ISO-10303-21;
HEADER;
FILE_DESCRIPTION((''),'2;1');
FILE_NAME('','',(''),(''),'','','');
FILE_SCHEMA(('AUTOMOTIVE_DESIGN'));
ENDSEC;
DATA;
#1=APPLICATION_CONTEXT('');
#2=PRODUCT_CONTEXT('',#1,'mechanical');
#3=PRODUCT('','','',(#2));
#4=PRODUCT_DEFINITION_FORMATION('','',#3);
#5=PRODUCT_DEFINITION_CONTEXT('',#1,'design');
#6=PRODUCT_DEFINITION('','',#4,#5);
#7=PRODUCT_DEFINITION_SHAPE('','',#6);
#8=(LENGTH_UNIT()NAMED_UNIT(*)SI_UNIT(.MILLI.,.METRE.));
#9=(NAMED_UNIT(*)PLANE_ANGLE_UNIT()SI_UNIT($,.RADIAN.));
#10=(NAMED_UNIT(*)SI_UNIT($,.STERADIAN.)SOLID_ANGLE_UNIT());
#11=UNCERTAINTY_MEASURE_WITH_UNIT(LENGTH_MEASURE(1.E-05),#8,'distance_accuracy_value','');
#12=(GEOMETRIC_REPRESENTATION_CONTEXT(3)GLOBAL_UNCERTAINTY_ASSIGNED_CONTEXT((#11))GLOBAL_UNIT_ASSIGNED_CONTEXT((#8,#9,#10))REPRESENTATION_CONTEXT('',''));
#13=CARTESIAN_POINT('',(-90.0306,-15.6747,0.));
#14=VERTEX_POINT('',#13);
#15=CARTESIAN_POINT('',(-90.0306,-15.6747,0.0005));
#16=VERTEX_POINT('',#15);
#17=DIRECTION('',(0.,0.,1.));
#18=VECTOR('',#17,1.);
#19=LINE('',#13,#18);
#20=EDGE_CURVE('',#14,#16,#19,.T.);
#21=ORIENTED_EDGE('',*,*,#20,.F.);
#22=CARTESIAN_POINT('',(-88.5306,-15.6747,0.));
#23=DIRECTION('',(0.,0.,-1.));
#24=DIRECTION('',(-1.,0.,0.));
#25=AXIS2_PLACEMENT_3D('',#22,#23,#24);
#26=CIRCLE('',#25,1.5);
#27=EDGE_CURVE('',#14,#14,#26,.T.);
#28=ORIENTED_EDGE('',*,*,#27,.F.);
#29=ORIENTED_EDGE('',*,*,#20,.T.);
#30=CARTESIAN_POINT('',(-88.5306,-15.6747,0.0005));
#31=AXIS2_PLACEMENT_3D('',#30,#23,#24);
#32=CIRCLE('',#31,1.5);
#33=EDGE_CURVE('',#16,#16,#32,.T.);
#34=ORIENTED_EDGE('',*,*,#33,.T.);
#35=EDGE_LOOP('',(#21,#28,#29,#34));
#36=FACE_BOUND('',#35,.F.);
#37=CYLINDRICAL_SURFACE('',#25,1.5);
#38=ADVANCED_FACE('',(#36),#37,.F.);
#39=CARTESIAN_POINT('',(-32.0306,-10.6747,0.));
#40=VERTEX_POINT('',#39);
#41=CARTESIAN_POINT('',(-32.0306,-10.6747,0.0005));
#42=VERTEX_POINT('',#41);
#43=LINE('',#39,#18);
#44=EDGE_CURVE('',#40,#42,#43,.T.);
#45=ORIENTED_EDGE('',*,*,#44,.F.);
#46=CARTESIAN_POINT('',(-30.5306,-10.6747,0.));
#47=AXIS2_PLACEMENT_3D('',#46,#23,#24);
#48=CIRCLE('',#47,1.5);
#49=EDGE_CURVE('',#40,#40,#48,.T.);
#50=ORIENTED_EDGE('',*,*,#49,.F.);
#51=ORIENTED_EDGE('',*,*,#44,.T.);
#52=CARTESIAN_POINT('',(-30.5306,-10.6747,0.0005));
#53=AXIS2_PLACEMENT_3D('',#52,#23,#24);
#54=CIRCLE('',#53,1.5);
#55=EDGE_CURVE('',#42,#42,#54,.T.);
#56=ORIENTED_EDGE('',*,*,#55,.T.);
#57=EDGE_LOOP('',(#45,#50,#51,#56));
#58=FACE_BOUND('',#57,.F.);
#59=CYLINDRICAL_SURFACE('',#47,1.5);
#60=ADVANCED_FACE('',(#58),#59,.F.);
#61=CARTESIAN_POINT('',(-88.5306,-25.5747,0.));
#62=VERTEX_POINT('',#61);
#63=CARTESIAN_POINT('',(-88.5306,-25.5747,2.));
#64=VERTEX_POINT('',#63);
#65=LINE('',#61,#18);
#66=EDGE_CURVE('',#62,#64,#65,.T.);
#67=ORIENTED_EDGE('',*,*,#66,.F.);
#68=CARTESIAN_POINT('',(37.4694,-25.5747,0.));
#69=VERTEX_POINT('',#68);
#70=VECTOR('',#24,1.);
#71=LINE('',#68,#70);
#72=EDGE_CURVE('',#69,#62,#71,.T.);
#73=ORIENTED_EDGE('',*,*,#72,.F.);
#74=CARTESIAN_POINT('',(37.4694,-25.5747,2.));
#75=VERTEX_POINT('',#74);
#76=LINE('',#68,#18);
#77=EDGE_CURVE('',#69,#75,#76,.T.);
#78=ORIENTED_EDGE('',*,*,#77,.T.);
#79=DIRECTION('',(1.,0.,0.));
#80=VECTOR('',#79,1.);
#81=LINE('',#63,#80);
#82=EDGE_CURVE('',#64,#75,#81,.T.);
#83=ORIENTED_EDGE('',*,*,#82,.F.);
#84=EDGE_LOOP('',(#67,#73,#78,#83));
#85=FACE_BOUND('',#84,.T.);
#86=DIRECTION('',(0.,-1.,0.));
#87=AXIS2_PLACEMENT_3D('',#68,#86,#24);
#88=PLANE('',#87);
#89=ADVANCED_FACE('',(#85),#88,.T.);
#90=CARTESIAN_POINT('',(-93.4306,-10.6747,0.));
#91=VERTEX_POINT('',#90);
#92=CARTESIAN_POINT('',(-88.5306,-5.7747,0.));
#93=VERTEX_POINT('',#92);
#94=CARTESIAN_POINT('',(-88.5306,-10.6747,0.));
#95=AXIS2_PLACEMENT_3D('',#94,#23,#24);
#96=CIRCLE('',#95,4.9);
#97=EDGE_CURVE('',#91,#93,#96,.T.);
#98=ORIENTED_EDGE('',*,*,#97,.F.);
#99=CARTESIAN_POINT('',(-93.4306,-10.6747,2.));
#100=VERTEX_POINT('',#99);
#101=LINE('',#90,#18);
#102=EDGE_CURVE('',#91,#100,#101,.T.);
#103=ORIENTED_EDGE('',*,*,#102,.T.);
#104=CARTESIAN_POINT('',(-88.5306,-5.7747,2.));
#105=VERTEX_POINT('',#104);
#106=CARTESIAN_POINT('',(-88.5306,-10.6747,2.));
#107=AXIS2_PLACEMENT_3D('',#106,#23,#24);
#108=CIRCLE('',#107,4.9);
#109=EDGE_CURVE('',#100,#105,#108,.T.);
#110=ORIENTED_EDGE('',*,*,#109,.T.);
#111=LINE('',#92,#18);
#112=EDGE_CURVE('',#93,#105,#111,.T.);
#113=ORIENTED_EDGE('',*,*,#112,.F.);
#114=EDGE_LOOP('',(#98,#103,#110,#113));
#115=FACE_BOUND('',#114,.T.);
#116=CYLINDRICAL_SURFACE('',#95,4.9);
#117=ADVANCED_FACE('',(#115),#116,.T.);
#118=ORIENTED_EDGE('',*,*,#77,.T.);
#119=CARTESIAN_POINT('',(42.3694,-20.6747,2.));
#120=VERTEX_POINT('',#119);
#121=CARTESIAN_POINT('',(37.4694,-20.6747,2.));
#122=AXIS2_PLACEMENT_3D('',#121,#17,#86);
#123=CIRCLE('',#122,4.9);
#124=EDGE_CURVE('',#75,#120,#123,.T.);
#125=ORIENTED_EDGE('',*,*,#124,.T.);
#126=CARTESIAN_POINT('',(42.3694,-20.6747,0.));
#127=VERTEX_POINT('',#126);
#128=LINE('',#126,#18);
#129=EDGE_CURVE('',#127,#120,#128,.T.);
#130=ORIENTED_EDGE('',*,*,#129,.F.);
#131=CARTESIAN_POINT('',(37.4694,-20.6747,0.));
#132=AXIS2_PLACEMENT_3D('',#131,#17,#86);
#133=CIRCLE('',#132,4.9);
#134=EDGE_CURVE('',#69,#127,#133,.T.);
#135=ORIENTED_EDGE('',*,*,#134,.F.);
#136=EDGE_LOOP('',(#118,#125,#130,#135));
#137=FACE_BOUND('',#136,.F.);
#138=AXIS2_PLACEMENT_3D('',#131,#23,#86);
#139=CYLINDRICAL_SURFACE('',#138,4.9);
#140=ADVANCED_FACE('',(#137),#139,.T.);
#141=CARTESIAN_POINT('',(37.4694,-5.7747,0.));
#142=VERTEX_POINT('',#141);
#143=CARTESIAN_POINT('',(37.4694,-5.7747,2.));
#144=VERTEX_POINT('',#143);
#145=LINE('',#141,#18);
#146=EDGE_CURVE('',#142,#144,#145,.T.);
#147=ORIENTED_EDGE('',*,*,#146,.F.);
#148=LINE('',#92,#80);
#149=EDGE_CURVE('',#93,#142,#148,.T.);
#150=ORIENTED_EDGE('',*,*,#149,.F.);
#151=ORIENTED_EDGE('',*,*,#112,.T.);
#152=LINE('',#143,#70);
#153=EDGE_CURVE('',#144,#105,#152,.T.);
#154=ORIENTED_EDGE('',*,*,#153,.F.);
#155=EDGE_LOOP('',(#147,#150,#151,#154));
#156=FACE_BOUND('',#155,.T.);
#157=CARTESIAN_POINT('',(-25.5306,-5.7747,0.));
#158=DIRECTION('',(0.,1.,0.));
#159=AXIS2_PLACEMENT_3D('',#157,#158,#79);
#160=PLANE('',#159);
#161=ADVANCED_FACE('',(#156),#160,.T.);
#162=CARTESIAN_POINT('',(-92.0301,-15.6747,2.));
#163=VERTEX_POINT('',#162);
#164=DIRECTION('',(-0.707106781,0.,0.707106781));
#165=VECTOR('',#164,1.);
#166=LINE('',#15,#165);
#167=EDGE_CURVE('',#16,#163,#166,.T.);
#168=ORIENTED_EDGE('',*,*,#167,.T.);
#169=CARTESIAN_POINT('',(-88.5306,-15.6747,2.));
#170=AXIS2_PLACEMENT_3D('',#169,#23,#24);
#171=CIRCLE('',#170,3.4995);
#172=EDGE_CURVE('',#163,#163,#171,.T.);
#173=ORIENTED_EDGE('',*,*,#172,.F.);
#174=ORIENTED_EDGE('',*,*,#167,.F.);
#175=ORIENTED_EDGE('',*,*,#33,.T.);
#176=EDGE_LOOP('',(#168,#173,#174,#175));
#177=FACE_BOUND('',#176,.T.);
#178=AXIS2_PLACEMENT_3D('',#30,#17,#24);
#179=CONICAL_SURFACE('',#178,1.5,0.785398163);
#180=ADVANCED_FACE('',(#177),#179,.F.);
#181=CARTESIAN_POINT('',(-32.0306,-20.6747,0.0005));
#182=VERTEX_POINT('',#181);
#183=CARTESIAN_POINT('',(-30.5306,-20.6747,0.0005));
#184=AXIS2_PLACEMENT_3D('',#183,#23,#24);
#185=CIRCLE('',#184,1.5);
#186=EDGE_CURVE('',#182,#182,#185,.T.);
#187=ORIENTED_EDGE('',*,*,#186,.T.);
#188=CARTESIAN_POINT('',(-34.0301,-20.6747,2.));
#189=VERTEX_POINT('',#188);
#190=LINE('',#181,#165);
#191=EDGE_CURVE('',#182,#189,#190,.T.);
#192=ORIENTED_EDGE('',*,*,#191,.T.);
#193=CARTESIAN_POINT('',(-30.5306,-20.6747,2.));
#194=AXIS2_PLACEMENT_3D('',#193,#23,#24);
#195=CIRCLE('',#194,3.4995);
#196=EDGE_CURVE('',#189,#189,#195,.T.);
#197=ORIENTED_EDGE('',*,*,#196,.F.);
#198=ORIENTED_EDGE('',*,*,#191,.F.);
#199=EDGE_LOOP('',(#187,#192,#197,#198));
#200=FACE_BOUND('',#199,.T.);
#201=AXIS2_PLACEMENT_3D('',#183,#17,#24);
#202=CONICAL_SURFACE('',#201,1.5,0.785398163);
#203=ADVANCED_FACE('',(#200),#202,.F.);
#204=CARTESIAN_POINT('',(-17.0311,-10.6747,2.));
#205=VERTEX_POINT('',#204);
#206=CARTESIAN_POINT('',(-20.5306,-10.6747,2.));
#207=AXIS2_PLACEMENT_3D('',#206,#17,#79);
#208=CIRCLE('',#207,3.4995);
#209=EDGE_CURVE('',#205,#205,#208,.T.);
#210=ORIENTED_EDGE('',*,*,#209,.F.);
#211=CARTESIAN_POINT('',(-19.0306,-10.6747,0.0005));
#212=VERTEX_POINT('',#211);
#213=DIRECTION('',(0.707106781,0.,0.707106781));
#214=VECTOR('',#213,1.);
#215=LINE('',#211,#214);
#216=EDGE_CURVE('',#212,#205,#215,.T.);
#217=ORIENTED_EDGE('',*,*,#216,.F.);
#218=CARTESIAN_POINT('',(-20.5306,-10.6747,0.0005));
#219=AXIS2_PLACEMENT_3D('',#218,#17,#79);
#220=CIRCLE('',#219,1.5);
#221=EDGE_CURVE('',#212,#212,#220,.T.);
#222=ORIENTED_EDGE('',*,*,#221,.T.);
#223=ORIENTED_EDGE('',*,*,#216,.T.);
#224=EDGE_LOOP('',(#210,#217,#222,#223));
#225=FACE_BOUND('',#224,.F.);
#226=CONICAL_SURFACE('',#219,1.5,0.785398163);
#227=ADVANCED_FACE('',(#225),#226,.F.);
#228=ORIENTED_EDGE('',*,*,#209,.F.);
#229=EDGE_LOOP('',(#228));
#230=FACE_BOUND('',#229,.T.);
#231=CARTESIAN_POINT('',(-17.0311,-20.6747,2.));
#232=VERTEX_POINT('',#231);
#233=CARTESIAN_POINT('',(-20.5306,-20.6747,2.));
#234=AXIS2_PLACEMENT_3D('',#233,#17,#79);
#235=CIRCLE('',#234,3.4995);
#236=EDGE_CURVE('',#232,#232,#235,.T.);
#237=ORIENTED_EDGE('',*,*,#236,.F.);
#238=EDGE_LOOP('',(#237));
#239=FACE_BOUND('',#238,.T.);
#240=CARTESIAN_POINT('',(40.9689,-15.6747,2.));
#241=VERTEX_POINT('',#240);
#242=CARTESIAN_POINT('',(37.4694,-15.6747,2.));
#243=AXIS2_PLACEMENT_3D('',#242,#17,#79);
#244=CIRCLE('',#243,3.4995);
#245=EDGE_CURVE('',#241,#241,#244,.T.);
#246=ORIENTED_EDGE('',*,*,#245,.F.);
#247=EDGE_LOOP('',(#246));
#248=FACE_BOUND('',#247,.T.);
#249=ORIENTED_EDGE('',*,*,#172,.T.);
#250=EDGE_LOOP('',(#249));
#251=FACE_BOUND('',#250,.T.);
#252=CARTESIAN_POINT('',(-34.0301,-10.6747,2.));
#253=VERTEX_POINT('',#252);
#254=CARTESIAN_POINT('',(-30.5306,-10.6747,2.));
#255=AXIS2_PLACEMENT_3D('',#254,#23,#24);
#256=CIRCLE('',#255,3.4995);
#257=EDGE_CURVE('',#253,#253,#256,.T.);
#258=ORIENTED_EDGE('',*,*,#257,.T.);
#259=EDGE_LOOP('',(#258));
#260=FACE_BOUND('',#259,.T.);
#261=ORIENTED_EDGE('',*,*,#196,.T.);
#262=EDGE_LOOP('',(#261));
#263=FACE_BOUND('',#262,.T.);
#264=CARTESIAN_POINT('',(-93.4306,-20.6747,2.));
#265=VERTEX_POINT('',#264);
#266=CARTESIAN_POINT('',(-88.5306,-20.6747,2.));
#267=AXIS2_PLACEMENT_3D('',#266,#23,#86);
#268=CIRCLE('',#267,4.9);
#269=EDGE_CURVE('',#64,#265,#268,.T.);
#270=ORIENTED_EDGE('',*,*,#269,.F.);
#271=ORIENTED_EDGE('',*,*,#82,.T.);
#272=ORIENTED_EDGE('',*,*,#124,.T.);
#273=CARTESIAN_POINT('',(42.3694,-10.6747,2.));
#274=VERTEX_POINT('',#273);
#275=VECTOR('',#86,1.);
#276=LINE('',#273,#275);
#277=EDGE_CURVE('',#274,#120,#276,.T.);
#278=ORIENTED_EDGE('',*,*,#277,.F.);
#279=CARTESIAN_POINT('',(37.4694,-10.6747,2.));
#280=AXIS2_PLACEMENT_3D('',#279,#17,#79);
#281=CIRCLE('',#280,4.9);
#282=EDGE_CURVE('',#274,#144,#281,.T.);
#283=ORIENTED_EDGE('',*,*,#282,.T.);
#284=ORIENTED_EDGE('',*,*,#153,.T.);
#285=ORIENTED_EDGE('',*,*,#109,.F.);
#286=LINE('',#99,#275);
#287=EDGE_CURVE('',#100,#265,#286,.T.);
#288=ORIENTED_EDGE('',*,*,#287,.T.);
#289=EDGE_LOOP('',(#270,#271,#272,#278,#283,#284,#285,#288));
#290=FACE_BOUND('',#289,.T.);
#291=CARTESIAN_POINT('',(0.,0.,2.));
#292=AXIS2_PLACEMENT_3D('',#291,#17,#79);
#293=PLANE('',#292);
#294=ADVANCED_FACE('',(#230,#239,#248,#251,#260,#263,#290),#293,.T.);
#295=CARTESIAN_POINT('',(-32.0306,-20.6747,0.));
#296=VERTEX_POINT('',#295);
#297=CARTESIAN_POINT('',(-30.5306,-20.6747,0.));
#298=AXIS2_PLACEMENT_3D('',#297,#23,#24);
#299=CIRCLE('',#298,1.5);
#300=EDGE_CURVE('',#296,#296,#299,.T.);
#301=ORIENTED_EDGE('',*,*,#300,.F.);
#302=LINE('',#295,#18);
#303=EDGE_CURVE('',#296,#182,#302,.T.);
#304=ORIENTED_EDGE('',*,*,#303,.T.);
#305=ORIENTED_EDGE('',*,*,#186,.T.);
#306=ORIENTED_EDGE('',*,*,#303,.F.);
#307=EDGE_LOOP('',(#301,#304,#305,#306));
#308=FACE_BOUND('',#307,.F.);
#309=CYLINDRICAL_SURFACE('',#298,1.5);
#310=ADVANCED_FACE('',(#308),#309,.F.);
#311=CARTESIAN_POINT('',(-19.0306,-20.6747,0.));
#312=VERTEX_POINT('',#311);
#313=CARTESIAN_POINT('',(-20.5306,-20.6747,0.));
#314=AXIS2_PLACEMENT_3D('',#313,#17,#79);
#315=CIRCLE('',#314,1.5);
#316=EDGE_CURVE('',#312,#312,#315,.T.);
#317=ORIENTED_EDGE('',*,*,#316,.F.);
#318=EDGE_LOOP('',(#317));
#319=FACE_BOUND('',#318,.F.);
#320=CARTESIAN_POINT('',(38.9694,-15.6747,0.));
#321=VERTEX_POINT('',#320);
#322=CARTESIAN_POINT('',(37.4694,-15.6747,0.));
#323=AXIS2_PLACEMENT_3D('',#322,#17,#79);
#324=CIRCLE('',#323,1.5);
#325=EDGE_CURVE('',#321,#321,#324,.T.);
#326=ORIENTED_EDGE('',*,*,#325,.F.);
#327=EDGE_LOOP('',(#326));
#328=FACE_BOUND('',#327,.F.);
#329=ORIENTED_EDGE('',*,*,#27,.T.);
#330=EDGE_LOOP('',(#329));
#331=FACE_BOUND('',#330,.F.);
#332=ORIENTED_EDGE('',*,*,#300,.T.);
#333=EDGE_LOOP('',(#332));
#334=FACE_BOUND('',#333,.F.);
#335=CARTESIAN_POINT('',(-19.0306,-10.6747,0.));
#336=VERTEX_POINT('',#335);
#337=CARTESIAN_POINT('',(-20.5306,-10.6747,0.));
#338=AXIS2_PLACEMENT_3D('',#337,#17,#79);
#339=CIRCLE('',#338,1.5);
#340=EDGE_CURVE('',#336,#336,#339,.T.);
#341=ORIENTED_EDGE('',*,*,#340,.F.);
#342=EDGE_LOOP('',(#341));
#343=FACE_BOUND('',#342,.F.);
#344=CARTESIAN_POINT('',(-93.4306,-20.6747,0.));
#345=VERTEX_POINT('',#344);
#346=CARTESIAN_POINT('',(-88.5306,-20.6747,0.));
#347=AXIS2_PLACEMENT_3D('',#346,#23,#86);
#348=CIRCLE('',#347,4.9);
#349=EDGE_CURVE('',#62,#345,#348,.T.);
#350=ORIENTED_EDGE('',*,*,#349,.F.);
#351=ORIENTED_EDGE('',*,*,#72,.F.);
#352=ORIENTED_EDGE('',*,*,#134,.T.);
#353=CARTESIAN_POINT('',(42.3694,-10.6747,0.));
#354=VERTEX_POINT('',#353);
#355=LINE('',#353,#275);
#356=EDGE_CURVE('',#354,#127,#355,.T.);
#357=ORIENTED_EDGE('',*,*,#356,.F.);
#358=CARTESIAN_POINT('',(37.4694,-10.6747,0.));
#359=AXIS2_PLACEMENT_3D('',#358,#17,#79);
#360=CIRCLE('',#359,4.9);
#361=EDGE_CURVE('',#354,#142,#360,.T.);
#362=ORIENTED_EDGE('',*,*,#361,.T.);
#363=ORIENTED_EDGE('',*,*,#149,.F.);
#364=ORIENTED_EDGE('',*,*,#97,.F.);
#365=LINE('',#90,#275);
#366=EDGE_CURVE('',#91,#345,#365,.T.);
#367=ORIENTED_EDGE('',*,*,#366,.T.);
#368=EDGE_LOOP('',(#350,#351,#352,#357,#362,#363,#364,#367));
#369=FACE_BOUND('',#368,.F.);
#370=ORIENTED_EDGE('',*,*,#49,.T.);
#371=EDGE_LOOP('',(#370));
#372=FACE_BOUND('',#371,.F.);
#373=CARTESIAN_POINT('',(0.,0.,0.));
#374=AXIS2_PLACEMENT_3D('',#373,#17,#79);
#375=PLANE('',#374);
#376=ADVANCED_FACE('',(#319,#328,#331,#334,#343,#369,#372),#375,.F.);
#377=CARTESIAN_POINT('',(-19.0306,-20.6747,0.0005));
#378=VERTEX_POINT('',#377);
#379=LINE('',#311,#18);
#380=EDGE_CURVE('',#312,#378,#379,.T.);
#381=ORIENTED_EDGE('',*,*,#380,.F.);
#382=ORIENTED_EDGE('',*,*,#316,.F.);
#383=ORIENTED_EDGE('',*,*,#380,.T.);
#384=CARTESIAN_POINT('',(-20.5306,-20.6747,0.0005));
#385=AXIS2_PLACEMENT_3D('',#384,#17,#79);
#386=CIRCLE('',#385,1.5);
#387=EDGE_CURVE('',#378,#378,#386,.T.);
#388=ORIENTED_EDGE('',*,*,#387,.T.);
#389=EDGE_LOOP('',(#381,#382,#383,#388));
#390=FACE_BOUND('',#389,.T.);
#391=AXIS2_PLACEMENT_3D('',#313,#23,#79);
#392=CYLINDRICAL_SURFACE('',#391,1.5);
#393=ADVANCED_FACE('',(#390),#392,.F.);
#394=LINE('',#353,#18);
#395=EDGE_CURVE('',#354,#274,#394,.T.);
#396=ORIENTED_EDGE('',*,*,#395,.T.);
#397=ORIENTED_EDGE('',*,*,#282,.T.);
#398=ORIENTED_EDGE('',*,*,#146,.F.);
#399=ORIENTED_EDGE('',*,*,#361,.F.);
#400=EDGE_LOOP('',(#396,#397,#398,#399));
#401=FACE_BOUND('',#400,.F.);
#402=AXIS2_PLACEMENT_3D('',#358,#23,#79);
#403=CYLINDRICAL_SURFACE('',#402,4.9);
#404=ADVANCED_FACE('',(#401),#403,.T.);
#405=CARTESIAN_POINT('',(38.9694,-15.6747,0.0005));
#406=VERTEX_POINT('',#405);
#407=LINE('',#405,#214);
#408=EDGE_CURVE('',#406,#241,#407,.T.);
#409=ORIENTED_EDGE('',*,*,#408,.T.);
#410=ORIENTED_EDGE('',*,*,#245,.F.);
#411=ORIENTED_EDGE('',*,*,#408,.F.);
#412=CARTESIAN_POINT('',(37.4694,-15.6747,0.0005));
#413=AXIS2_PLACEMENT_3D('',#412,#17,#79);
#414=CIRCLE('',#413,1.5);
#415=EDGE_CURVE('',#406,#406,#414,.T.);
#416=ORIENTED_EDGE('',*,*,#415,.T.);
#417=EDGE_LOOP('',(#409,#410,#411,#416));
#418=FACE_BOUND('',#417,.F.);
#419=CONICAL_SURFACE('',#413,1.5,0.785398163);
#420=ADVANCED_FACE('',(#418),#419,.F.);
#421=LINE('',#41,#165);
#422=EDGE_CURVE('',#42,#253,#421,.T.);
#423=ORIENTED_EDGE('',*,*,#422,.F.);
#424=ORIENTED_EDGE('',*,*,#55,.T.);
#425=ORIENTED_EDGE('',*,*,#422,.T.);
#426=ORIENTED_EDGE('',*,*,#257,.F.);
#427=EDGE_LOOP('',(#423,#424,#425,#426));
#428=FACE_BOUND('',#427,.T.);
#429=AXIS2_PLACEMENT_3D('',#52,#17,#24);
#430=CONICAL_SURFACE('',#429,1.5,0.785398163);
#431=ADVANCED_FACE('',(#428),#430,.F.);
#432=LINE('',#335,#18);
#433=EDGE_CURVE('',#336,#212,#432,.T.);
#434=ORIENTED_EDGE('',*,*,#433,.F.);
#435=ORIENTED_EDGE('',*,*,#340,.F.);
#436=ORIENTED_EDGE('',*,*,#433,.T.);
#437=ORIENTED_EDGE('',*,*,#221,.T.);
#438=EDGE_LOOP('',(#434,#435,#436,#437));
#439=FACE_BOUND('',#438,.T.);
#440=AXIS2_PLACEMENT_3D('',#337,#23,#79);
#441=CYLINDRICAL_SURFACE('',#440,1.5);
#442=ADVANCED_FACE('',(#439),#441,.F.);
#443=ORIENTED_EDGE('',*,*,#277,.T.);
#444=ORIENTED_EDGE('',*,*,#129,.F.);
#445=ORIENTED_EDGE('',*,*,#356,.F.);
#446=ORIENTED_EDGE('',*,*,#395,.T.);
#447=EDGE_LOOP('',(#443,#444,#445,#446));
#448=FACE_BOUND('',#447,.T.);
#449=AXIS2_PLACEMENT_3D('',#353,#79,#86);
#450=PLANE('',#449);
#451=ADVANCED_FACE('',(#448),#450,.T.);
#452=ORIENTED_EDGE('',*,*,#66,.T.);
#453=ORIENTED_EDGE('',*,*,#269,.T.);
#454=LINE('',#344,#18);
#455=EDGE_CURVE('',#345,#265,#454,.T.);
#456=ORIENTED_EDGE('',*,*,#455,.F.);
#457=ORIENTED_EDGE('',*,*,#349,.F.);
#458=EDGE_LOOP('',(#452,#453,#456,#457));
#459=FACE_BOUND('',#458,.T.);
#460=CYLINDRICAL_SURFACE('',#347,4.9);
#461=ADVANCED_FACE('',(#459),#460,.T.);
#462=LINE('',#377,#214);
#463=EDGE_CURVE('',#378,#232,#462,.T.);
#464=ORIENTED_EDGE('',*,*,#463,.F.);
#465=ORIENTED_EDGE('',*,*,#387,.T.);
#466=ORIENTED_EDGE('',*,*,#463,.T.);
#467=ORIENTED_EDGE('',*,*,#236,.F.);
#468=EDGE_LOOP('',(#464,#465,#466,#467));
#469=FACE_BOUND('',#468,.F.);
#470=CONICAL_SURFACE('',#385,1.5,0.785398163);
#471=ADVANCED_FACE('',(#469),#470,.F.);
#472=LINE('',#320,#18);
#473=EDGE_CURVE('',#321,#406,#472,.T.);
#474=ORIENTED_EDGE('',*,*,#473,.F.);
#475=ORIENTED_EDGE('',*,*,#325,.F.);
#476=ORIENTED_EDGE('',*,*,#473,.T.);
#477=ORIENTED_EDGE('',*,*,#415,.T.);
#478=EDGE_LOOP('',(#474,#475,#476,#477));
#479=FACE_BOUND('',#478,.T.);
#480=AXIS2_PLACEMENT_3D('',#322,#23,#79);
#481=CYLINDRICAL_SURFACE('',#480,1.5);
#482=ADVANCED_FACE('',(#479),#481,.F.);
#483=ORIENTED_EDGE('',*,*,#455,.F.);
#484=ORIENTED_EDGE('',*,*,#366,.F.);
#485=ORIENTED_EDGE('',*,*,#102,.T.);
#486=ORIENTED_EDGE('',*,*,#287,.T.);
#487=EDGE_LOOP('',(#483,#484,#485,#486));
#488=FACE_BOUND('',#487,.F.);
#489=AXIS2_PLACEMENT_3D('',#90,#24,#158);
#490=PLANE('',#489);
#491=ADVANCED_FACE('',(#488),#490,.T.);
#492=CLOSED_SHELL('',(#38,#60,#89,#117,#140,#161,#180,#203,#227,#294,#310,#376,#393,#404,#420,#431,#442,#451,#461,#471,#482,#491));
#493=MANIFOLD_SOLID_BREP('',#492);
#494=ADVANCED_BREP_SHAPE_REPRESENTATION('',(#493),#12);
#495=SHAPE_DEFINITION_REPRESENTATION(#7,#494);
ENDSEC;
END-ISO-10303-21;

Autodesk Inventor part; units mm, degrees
ref_plane "YZ Plane" through (0, 0, 0) normal (1, 0, 0) x (0, 1, 0)
ref_plane "XZ Plane" through (0, 0, 0) normal (0, 1, 0) x (-1, 0, 0)
ref_plane "XY Plane" through (0, 0, 0) normal (0, 0, 1) x (1, 0, 0)
sketch "Эскиз1" plane through (0, 0, 0) normal (0, 0, 1) x (1, 0, 0)
  circle A0 centre (37.4694, -15.6747) radius 1.5 projected
  circle A1 centre (-20.5306, -10.6747) radius 1.5 projected
  circle A2 centre (-20.5306, -20.6747) radius 1.5 projected
  arc A3 (37.4694, -25.6747) -> (42.4694, -20.6747) centre (37.4694, -20.6747) ccw projected
  line L0 (42.4694, -10.6747) -> (42.4694, -20.6747) projected
  arc A4 (42.4694, -10.6747) -> (37.4694, -5.6747) centre (37.4694, -10.6747) ccw projected
  line L1 (-25.5306, -5.6747) -> (37.4694, -5.6747) projected
  line L2 (-25.5306, -25.6747) -> (-25.5306, -5.6747) projected
  line L3 (37.4694, -25.6747) -> (-25.5306, -25.6747) projected
  arc A5 (42.3694, -10.6747) -> (37.4694, -5.7747) centre (37.4694, -10.6747) ccw
  line L4 (42.3694, -10.6747) -> (42.3694, -20.6747)
  arc A6 (37.4694, -25.5747) -> (42.3694, -20.6747) centre (37.4694, -20.6747) ccw
  line L5 (37.4694, -25.5747) -> (-25.5306, -25.5747)
  line L6 (-25.5306, -5.7747) -> (37.4694, -5.7747)
  point P0 (0, 0)
  dimension "d0" = 0.1
extrude "Выдавливание1" add sketch "Эскиз1" along normal blind 2 contours L2 L6 A5 L4 A6 L5
chamfer "Фаска1" distance 2 angle 45 3 edges at (35.9694, -15.6747, 2) (-22.0306, -20.6747, 2) (-22.0306, -10.6747, 2)
mirror "Зеркальное отражение1" about plane through (-25.5306, -5.7747, 0) normal (-1, 0, 0)
properties part number "РеброСкрепления"
